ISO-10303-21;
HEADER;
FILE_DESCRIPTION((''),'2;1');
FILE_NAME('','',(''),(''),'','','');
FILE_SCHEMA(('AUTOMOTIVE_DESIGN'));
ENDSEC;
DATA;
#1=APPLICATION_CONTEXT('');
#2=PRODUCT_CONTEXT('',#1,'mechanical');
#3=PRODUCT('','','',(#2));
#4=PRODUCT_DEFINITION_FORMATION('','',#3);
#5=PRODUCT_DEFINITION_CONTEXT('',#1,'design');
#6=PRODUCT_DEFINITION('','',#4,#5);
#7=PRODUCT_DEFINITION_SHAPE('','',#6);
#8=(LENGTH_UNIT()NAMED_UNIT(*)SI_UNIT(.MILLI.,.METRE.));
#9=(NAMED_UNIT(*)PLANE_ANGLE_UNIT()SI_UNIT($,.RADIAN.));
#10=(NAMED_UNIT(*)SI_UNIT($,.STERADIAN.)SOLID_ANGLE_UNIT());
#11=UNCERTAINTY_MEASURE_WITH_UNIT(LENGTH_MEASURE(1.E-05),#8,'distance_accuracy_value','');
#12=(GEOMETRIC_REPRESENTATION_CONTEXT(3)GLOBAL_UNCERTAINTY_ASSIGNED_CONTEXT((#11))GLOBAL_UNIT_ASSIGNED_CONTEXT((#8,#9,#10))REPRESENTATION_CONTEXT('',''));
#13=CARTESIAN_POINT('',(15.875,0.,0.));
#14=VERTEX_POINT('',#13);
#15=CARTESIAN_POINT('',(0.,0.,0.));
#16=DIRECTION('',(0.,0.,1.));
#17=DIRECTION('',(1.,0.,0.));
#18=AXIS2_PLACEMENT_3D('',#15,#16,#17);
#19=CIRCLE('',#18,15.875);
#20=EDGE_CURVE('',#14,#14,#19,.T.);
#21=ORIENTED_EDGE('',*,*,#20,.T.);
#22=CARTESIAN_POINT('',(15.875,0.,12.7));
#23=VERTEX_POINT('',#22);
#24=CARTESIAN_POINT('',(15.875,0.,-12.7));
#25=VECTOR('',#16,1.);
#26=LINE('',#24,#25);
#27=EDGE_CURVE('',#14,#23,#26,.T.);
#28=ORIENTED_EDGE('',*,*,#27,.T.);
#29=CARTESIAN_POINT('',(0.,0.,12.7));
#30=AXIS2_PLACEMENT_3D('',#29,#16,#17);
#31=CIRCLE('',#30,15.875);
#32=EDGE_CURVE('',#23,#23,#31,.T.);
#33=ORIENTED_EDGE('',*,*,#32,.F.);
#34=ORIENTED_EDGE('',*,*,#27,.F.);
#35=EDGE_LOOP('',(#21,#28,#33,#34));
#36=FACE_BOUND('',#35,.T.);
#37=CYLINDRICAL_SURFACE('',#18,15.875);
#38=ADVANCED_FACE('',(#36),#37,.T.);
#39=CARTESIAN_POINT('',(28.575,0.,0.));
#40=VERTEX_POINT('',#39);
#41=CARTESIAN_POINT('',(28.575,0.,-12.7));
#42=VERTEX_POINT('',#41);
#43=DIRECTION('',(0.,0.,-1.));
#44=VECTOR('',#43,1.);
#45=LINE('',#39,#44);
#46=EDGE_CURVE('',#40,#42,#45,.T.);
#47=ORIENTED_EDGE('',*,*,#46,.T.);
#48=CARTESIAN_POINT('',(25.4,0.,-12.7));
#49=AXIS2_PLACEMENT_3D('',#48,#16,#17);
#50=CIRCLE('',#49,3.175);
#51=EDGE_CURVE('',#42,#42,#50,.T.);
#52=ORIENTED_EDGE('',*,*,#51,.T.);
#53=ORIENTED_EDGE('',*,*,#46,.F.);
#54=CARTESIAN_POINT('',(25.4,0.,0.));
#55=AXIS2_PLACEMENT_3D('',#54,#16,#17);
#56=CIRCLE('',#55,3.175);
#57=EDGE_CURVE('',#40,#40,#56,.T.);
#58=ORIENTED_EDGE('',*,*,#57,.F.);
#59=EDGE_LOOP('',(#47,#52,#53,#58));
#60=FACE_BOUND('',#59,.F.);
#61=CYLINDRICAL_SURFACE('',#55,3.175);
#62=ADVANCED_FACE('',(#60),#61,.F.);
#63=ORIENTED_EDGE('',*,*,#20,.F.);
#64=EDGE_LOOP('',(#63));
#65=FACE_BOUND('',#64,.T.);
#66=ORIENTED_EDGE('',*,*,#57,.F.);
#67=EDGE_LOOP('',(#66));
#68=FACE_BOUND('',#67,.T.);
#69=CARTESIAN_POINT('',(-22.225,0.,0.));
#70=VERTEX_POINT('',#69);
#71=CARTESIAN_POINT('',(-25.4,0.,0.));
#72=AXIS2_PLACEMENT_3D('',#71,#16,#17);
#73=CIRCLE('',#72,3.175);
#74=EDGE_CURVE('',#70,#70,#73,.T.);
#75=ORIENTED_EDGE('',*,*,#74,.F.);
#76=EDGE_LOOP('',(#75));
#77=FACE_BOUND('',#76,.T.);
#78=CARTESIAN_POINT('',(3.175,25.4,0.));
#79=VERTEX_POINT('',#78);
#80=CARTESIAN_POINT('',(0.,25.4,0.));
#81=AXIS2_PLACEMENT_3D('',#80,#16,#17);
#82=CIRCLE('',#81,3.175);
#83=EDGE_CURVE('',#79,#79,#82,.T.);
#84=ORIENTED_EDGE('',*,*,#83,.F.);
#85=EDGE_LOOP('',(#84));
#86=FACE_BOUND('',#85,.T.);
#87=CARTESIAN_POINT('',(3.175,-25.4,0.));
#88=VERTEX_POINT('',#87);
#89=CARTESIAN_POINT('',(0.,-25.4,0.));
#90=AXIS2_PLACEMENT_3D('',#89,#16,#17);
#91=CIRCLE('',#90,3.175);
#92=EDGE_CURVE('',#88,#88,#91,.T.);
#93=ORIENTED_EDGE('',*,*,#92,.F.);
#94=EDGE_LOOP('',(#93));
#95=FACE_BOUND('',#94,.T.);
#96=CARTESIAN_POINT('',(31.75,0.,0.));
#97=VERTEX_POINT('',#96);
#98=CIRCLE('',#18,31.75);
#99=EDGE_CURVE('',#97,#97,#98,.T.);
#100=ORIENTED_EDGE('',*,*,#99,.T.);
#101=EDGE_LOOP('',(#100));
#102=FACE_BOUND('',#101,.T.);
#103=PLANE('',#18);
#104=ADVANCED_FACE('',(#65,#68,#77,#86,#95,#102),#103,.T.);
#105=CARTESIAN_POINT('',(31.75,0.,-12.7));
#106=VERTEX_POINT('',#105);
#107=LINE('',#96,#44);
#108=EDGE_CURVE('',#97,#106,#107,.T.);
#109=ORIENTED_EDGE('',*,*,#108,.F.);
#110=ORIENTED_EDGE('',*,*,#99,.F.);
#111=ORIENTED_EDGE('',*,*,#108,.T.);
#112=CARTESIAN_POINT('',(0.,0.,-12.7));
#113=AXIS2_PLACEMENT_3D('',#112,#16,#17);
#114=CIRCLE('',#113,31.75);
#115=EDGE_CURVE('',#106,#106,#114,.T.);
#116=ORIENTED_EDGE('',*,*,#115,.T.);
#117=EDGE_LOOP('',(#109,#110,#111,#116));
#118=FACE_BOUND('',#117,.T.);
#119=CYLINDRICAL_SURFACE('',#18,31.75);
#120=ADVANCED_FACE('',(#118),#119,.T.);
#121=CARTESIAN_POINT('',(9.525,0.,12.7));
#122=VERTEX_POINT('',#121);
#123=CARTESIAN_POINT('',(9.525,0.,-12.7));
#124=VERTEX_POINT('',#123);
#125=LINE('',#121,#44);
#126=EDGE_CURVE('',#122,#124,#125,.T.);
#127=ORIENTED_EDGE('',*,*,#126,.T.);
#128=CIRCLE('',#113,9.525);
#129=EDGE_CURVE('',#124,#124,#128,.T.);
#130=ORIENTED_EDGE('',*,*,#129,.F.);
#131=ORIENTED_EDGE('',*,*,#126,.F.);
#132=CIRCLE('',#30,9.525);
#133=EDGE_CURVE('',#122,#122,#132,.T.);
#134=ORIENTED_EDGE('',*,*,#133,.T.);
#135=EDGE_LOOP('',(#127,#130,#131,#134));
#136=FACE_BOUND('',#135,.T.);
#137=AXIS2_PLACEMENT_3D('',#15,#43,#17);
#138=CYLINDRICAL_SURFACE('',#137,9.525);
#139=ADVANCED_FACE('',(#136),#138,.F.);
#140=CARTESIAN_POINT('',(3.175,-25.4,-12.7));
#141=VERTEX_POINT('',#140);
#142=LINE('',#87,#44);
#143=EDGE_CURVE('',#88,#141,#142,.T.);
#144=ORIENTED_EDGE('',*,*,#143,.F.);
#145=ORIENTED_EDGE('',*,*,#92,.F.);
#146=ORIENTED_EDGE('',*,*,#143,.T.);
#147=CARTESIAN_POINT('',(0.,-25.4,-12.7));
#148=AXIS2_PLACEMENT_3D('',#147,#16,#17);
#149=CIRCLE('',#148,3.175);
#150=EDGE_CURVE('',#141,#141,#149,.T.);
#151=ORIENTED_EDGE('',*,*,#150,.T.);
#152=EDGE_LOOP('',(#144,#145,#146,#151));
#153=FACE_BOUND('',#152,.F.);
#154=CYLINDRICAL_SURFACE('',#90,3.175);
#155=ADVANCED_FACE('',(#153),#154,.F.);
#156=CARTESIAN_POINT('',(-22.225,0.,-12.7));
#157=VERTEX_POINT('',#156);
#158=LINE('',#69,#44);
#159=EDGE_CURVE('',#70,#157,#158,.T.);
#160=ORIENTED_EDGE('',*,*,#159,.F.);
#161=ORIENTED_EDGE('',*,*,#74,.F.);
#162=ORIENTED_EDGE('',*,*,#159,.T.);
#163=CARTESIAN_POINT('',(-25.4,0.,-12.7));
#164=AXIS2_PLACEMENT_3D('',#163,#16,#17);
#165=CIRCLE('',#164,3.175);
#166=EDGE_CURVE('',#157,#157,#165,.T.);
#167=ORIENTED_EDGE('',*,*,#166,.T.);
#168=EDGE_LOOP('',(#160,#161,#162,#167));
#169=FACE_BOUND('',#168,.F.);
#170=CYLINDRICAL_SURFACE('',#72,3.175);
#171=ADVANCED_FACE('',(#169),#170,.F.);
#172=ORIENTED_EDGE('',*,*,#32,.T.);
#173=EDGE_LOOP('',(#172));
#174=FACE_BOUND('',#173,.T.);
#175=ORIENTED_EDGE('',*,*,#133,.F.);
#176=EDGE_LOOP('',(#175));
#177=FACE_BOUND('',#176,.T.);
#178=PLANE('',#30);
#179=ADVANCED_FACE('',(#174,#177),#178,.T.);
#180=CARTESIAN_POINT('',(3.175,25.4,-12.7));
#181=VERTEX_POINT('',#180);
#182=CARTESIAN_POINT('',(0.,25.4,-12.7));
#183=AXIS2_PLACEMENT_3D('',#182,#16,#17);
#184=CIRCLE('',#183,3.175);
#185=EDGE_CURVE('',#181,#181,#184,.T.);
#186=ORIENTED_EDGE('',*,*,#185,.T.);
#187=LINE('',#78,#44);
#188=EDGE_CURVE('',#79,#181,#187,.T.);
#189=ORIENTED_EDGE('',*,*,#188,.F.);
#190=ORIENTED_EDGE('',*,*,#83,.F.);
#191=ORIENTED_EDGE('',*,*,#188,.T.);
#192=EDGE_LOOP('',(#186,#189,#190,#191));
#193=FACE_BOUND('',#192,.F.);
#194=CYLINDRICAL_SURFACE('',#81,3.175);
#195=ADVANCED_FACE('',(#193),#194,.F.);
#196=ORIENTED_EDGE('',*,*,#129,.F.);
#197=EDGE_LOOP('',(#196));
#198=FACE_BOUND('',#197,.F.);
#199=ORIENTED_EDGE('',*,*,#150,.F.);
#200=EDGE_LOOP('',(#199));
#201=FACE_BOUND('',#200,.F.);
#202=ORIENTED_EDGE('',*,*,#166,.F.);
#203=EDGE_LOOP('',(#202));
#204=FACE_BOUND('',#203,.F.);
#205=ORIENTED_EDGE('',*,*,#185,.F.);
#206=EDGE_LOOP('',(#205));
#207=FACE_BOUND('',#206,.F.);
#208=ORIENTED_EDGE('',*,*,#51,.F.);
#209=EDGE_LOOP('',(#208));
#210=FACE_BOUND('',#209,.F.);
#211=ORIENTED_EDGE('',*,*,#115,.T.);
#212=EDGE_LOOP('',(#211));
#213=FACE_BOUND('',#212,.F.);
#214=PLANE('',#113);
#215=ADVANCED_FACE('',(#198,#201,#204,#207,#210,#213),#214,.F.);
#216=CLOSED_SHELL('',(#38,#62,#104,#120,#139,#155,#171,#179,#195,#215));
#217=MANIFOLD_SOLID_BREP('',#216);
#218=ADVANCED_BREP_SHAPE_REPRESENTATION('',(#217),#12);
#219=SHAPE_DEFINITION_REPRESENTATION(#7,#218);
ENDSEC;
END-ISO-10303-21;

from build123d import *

# Parameters (mm, degrees)
F0_R     = 31.75
F0_R_2   = 3.175
F0_R_3   = 15.875
F1_DEPTH = 12.7
F0_R_4   = 9.525
F2_DEPTH = 12.7


with BuildPart() as f1:
    # F0 (on Top) → F1 (new body)
    with BuildSketch(Plane.XY):
        Circle(F0_R)
        with Locations((0, -25.4)):
            Circle(F0_R_2, mode=Mode.SUBTRACT)
        with Locations((25.4, 0)):
            Circle(F0_R_2, mode=Mode.SUBTRACT)
        with Locations((-25.4, 0)):
            Circle(F0_R_2, mode=Mode.SUBTRACT)
        Circle(F0_R_3, mode=Mode.SUBTRACT)
        with Locations((0, 25.4)):
            Circle(F0_R_2, mode=Mode.SUBTRACT)
    extrude(amount=-F1_DEPTH)

    # F0 (on Top) → F2 (join, symmetric)
    with BuildSketch(Plane.XY):
        Circle(F0_R_3)
        Circle(F0_R_4, mode=Mode.SUBTRACT)
    extrude(amount=F2_DEPTH, both=True)


solid = f1.part
